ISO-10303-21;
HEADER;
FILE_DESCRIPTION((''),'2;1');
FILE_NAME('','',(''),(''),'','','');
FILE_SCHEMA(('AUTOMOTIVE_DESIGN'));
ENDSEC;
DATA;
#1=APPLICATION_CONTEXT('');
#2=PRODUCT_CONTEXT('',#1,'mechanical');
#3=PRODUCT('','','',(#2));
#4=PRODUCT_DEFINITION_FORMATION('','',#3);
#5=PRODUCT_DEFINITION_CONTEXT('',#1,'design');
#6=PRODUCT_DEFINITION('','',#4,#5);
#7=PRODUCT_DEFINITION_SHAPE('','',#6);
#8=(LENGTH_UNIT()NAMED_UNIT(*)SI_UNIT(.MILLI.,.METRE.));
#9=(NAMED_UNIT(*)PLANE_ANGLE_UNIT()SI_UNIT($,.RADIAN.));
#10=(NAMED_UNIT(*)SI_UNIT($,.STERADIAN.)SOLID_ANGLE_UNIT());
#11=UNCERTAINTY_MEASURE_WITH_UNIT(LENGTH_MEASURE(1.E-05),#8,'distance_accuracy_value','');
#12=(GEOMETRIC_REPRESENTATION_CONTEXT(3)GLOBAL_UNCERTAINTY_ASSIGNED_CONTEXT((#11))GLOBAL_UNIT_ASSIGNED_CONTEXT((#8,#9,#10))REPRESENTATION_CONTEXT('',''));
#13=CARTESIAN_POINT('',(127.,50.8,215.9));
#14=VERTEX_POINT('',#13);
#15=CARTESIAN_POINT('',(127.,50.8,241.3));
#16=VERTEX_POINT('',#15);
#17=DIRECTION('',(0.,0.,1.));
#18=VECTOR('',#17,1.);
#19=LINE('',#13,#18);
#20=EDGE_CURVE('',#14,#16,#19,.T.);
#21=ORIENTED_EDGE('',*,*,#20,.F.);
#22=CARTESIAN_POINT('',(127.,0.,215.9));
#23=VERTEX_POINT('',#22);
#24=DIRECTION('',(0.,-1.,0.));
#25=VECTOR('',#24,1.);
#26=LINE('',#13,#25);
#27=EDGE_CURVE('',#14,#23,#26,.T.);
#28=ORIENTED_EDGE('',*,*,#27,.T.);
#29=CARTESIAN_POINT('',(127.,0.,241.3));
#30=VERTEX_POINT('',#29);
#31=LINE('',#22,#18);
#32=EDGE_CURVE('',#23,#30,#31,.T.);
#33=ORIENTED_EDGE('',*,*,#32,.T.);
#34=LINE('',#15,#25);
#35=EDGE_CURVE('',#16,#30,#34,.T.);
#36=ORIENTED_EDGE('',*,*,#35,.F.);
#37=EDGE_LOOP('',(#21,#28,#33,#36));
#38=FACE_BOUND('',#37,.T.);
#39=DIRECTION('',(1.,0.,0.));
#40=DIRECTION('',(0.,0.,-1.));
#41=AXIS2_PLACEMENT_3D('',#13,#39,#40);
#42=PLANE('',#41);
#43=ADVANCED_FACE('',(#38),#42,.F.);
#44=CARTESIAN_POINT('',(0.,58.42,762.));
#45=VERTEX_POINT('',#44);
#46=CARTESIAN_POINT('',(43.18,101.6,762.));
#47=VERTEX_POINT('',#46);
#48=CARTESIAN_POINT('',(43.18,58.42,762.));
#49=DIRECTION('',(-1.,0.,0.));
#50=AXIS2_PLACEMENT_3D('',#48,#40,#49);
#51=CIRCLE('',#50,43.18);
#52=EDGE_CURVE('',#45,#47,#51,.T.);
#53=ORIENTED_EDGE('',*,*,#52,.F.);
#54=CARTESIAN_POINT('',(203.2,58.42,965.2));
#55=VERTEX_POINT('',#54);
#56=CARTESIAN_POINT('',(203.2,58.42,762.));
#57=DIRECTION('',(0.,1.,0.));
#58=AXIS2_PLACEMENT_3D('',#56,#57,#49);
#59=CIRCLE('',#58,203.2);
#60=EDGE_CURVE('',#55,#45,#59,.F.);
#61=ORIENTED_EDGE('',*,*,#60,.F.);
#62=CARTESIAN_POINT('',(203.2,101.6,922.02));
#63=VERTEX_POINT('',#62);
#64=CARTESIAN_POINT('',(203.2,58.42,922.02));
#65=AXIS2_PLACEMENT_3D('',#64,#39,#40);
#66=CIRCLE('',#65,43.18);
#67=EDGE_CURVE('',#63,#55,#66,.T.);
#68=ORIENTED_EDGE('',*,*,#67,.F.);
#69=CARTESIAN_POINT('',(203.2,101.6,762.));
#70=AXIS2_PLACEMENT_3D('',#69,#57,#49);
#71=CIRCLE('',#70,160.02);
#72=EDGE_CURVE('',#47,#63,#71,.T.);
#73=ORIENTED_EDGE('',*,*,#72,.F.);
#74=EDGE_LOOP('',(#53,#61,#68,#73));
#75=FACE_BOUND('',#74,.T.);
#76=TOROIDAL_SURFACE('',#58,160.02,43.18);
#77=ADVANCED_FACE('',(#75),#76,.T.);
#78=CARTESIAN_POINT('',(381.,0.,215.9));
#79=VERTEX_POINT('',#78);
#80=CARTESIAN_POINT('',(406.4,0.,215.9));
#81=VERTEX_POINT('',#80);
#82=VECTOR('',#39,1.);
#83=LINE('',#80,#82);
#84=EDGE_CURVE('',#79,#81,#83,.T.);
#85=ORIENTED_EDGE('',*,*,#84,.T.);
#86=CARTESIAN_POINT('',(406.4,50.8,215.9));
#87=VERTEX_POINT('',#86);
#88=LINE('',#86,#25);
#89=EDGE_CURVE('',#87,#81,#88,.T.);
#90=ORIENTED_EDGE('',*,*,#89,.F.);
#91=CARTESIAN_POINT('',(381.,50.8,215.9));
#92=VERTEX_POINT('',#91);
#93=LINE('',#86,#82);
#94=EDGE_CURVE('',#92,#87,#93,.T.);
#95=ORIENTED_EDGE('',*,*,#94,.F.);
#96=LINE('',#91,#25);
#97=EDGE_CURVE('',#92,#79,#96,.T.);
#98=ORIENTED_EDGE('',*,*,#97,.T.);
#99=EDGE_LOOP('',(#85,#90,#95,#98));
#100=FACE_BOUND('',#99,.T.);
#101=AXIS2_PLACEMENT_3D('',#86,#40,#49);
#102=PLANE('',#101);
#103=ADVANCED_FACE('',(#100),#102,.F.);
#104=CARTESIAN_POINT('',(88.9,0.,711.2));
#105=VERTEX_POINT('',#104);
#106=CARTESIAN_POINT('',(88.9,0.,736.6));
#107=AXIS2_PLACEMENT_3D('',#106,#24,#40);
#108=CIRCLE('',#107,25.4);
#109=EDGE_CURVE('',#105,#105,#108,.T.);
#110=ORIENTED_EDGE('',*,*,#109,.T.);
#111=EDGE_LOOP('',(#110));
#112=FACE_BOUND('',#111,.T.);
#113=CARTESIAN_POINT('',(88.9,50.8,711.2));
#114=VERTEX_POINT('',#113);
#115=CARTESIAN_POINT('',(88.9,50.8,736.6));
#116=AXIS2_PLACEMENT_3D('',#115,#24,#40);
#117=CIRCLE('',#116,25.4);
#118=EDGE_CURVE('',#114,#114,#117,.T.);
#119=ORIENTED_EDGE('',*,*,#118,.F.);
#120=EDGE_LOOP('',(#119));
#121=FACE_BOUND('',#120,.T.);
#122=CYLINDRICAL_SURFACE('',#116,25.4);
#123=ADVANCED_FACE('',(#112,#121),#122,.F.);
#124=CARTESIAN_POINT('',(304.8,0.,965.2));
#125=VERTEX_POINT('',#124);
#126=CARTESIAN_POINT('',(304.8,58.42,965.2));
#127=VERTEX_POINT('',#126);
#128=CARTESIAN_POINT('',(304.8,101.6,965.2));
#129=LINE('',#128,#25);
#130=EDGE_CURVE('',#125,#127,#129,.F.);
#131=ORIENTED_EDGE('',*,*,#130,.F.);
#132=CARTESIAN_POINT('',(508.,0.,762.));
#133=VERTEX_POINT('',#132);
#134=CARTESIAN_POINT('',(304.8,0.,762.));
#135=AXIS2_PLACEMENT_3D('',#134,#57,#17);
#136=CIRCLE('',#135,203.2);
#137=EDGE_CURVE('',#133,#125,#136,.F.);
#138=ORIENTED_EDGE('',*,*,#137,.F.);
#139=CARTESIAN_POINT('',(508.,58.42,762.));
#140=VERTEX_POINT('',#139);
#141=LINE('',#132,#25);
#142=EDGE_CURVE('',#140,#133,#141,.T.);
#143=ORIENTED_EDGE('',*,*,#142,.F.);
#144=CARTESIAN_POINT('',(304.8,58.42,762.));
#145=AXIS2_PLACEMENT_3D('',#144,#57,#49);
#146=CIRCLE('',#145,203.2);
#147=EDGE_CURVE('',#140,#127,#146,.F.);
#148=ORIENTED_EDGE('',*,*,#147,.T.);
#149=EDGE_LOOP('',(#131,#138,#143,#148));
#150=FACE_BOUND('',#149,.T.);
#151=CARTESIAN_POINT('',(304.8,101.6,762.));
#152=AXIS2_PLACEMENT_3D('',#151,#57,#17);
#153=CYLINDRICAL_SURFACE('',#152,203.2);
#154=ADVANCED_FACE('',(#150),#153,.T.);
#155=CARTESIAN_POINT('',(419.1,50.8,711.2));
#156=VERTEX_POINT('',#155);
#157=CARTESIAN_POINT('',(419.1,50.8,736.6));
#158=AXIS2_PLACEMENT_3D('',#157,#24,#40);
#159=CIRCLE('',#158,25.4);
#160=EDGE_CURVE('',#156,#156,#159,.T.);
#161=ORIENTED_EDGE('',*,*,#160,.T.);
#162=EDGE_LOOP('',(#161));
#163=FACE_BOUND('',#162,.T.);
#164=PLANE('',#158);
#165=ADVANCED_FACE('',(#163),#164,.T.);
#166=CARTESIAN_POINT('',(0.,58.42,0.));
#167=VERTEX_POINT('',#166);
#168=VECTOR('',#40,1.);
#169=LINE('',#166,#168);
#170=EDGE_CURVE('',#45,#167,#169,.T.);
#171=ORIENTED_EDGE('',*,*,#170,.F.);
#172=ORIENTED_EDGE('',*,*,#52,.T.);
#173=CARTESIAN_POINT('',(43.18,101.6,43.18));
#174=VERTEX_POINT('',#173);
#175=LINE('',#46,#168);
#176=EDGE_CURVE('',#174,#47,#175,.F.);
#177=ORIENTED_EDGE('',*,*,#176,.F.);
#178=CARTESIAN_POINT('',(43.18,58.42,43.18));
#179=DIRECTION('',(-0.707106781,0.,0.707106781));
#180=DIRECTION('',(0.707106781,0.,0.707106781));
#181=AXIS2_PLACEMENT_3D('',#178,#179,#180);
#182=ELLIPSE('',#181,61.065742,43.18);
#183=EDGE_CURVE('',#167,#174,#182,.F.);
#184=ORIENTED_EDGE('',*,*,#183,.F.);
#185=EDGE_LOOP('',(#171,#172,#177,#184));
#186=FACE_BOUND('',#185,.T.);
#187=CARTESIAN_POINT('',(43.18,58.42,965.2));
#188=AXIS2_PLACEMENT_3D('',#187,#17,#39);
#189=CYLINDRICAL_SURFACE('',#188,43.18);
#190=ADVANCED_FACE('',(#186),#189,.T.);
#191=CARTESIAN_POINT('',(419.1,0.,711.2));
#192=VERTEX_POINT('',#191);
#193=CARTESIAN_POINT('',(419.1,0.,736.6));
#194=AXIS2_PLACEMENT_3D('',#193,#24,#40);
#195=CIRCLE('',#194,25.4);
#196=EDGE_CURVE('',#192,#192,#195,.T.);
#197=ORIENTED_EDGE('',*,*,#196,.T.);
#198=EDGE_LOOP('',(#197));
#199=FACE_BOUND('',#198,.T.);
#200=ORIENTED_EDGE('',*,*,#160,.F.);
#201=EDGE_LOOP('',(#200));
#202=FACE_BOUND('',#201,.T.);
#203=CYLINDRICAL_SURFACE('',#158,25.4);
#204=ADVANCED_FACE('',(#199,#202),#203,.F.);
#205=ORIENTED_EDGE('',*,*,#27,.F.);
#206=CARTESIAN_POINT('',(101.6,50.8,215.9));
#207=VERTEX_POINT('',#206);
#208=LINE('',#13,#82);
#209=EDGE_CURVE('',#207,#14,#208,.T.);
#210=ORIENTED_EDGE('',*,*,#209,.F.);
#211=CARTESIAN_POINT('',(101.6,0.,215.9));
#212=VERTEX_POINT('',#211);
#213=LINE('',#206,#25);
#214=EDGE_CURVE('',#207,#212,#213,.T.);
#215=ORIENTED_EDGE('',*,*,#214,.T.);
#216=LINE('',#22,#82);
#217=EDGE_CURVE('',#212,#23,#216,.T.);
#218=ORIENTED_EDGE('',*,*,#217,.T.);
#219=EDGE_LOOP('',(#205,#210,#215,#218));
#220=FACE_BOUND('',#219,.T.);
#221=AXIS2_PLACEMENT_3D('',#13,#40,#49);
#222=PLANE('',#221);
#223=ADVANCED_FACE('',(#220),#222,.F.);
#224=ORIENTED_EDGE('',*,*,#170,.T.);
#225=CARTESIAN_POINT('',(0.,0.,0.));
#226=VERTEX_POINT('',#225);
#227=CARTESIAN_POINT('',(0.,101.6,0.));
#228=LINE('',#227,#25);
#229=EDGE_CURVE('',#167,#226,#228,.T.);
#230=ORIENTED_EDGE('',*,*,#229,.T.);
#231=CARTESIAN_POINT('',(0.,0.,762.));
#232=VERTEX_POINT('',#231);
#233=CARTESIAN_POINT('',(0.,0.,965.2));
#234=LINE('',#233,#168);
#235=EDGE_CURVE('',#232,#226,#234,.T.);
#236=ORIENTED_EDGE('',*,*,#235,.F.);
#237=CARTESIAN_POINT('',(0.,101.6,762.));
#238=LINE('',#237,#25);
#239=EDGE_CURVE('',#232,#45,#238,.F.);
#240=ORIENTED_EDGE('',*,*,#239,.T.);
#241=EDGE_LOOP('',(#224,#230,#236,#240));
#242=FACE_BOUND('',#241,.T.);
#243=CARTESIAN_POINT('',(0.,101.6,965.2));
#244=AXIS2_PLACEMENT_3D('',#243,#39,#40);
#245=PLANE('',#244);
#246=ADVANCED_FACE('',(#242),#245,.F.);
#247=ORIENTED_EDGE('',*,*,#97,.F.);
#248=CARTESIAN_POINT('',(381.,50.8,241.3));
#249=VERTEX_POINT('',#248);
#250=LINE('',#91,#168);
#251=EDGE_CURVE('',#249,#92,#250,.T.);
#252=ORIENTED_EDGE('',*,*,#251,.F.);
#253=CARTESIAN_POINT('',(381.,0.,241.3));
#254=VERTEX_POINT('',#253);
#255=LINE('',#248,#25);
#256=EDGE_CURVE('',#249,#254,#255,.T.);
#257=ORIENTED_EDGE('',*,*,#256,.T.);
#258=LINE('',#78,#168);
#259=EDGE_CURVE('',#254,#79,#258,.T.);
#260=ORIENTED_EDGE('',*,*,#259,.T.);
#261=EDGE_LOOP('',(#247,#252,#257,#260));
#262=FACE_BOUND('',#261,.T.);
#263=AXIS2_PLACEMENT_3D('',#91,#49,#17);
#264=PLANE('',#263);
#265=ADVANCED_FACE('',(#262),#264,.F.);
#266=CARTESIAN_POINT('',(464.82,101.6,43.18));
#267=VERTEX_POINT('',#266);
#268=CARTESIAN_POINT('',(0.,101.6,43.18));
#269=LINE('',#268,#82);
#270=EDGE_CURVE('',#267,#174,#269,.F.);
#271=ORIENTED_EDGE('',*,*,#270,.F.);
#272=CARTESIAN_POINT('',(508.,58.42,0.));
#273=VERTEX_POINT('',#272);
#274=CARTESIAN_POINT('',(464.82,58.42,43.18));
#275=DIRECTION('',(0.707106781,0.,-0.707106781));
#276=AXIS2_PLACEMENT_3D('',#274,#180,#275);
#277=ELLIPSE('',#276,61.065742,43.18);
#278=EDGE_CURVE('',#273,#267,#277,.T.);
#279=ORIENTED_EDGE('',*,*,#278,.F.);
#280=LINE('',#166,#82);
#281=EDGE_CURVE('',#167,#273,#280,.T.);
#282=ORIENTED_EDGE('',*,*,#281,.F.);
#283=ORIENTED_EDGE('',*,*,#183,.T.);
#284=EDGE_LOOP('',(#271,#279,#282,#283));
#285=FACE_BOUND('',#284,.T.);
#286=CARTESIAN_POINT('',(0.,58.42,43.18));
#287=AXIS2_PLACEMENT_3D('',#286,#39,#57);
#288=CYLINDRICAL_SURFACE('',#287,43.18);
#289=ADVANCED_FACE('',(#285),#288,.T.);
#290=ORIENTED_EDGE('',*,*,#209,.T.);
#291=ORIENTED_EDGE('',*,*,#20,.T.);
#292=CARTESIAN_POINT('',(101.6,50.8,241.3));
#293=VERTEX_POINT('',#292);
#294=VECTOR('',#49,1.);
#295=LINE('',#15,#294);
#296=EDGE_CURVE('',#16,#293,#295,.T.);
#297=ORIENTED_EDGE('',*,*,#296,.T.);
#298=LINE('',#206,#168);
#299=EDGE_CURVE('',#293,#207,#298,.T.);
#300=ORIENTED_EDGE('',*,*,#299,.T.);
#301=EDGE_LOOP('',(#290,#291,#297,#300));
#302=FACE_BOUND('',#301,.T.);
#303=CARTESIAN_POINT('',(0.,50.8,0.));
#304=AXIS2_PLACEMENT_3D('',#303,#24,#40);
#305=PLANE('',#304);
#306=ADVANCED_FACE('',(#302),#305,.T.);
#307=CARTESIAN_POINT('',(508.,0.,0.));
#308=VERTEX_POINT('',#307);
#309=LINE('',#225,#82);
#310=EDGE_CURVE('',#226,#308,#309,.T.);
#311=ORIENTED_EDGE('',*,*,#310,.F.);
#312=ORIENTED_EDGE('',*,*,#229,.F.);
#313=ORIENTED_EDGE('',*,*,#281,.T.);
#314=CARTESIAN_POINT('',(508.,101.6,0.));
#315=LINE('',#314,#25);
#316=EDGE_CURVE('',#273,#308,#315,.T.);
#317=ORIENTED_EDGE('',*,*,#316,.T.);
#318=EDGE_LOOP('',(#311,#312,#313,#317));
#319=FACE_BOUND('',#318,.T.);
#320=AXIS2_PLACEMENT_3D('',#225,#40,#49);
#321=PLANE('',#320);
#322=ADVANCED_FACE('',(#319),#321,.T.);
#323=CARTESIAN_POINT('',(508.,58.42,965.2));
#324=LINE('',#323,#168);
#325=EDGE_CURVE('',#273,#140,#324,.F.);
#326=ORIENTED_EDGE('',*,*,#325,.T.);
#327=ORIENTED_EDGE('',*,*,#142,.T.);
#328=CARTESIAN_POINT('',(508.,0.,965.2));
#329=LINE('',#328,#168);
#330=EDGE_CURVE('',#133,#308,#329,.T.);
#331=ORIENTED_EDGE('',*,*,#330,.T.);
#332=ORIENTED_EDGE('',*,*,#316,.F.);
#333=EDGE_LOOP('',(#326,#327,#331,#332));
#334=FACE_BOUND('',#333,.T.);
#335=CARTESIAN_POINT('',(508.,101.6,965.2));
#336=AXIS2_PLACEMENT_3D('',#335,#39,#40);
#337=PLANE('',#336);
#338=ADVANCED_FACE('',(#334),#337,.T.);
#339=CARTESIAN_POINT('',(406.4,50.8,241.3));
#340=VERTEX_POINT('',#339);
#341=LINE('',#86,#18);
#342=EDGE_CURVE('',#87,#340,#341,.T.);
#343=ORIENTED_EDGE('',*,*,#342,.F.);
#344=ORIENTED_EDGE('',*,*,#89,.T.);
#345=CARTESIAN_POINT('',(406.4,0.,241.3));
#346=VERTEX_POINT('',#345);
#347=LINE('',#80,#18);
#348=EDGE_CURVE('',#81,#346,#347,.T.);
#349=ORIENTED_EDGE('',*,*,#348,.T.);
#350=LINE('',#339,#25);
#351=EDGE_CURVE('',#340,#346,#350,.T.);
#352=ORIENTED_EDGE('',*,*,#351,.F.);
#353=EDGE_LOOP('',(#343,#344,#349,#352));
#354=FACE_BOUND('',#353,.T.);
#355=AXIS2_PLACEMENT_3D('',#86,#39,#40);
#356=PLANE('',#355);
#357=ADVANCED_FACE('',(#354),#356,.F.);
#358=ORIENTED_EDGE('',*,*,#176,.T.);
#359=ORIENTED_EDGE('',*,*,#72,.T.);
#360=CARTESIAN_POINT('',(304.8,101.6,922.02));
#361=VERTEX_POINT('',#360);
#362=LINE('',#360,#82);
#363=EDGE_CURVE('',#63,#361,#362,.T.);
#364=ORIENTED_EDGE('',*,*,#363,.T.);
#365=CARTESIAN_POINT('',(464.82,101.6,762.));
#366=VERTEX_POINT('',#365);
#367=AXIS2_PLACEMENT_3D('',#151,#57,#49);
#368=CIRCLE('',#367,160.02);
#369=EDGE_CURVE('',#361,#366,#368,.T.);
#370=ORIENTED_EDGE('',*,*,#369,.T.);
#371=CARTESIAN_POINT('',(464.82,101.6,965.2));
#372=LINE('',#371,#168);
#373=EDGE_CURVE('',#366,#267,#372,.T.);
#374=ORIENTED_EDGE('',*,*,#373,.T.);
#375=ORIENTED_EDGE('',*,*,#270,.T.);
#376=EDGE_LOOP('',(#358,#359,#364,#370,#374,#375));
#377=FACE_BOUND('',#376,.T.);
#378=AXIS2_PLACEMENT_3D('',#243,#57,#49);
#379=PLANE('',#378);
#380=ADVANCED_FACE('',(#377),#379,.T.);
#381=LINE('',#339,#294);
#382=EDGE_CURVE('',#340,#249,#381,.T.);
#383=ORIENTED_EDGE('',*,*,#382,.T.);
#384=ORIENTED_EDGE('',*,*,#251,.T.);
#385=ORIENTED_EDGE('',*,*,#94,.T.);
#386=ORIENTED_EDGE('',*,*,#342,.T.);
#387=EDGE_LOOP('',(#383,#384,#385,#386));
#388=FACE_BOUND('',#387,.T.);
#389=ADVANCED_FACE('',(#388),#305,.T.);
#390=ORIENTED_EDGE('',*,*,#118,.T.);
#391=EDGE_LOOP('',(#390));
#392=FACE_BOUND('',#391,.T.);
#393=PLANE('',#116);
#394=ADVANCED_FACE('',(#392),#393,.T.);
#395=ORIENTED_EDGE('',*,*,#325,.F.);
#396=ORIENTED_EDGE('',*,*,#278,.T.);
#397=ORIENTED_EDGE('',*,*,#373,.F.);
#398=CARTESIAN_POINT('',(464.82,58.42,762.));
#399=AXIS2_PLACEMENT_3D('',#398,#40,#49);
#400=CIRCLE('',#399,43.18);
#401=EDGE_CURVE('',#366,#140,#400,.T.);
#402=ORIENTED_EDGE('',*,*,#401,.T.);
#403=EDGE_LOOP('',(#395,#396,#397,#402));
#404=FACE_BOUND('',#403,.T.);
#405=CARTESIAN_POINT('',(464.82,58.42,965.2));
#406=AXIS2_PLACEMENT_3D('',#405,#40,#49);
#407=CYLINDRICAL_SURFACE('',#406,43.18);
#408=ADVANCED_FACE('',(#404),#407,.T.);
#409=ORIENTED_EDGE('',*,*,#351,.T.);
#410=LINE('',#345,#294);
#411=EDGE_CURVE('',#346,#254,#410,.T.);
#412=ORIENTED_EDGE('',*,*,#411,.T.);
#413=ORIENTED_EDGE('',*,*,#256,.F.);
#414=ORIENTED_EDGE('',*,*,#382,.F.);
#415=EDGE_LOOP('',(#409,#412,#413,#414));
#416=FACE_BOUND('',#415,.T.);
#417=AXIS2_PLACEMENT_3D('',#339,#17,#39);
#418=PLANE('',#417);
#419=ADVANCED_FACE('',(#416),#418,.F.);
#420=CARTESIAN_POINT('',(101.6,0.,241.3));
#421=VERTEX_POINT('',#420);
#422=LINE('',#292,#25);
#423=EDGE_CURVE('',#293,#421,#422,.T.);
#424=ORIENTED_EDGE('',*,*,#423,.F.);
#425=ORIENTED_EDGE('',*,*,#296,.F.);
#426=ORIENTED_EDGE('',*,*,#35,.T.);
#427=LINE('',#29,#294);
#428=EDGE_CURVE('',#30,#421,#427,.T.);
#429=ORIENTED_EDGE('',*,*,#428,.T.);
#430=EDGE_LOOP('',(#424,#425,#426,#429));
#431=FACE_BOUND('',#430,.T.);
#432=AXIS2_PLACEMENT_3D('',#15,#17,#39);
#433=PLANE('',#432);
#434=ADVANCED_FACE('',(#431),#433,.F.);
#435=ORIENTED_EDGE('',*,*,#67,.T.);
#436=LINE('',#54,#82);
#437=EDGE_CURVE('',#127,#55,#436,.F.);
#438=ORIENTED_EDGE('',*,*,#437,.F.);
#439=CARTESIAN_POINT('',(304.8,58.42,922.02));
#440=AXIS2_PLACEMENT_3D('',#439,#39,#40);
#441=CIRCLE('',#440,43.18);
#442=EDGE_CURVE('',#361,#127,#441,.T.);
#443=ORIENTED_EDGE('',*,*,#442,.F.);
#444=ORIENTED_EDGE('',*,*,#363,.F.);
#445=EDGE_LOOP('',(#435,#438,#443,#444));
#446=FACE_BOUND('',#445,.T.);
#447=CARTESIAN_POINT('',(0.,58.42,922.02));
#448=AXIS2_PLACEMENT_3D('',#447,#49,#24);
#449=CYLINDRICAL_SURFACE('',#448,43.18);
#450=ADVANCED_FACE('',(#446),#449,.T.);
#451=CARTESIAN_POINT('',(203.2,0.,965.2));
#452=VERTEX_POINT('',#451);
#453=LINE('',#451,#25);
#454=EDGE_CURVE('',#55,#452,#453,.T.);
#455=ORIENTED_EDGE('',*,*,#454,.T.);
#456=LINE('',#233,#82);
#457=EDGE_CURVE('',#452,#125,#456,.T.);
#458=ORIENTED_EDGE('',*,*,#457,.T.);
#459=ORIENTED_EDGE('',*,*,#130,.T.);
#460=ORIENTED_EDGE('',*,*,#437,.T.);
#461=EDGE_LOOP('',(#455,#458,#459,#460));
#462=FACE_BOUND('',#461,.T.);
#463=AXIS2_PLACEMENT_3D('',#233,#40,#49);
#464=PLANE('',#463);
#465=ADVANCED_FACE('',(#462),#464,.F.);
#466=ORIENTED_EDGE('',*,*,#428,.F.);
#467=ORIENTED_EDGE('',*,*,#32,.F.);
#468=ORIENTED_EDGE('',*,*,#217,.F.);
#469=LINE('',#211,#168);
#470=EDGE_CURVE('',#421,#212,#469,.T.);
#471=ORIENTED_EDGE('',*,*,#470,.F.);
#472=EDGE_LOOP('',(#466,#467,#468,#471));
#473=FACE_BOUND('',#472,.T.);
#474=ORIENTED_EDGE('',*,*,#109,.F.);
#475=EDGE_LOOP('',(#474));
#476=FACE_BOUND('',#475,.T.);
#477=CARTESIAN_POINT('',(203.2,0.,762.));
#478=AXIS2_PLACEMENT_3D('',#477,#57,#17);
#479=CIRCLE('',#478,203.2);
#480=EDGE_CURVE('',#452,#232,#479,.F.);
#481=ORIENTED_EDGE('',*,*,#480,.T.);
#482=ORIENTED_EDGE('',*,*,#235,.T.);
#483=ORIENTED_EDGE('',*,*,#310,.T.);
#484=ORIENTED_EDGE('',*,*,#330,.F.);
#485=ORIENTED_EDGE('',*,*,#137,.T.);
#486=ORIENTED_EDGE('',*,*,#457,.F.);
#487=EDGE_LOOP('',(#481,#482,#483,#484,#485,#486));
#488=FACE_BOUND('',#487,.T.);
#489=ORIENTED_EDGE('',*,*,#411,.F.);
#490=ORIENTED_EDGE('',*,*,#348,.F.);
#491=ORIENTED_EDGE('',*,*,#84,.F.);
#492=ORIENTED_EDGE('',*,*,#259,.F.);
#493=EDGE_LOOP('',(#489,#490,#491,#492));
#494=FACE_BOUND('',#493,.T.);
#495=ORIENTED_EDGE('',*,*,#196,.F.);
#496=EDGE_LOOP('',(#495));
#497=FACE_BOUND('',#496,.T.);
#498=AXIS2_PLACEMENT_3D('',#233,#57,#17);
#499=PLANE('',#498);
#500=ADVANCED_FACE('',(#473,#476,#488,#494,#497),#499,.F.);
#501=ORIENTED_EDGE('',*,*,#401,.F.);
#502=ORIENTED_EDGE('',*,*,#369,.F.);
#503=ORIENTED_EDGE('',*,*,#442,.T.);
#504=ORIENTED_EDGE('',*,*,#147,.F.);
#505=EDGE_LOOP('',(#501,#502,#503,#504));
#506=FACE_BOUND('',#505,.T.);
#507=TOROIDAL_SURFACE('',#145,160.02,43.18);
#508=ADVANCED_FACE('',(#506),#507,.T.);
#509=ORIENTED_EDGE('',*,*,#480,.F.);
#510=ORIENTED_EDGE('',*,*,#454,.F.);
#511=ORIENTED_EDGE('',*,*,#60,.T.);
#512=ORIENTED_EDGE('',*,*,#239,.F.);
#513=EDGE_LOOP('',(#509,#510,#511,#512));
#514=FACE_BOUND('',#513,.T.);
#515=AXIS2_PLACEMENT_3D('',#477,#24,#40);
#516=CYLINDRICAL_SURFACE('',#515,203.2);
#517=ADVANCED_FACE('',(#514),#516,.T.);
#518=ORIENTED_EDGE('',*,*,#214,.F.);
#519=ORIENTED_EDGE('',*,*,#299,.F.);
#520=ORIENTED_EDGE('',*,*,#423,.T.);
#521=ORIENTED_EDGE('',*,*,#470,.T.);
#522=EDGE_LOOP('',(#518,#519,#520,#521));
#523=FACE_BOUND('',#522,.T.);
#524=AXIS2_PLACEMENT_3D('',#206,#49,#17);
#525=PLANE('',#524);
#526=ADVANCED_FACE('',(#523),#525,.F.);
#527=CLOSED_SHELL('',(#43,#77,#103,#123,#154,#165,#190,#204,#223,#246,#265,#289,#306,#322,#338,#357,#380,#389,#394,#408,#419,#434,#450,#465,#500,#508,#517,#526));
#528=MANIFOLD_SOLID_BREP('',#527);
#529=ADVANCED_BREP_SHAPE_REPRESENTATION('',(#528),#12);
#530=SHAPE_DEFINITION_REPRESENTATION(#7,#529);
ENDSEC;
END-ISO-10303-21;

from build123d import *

# Parameters (mm, degrees)
SKETCH2_W           = 508
SKETCH2_H           = 101.6
BOSS_EXTRUDE2_DEPTH = 965.2
SKETCH3_R           = 25.4
SKETCH3_W           = 25.4
SKETCH3_H           = 25.4
CUT_EXTRUDE1_DEPTH  = 50.8
FILLET1_R           = 203.2
FILLET2_R           = 203.2
FILLET4_R           = 43.18


with BuildPart() as part:
    # Sketch2 → Boss-Extrude2 (new body)
    with BuildSketch(Plane.XY):
        with Locations((254, 50.8)):
            Rectangle(SKETCH2_W, SKETCH2_H)
    extrude(amount=BOSS_EXTRUDE2_DEPTH)

    # Sketch3 → Cut-Extrude1 (cut)
    with BuildSketch(Plane(origin=(0, 0, 0), x_dir=(-1, 0, 0), z_dir=(0, -1, 0))):
        with Locations(Location((-88.9, -736.6, 0), (0, 0, 90))):
            Circle(SKETCH3_R)
        with Locations(Location((-419.1, -736.6, 0), (0, 0, 90))):
            Circle(SKETCH3_R)
        with Locations((-393.7, -228.6)):
            Rectangle(SKETCH3_W, SKETCH3_H)
        with Locations((-114.3, -228.6)):
            Rectangle(SKETCH3_W, SKETCH3_H)
    extrude(amount=-CUT_EXTRUDE1_DEPTH, mode=Mode.SUBTRACT)

    # Fillet1
    fillet1_edges = [part.edges().sort_by_distance(p)[0] for p in [
        (0, 50.8, 965.2),
    ]]
    fillet(fillet1_edges, radius=FILLET1_R)

    # Fillet2
    fillet2_edges = [part.edges().sort_by_distance(p)[0] for p in [
        (508, 50.8, 965.2),
    ]]
    fillet(fillet2_edges, radius=FILLET2_R)

    # Fillet4
    fillet4_edges = [part.edges().sort_by_distance(p)[0] for p in [
        (254, 101.6, 965.2),
        (0, 101.6, 381),
        (59.515902063, 101.6, 905.684097937),
        (508, 101.6, 381),
        (254, 101.6, 0),
        (448.484097937, 101.6, 905.684097937),
    ]]
    fillet(fillet4_edges, radius=FILLET4_R)


solid = part.part
